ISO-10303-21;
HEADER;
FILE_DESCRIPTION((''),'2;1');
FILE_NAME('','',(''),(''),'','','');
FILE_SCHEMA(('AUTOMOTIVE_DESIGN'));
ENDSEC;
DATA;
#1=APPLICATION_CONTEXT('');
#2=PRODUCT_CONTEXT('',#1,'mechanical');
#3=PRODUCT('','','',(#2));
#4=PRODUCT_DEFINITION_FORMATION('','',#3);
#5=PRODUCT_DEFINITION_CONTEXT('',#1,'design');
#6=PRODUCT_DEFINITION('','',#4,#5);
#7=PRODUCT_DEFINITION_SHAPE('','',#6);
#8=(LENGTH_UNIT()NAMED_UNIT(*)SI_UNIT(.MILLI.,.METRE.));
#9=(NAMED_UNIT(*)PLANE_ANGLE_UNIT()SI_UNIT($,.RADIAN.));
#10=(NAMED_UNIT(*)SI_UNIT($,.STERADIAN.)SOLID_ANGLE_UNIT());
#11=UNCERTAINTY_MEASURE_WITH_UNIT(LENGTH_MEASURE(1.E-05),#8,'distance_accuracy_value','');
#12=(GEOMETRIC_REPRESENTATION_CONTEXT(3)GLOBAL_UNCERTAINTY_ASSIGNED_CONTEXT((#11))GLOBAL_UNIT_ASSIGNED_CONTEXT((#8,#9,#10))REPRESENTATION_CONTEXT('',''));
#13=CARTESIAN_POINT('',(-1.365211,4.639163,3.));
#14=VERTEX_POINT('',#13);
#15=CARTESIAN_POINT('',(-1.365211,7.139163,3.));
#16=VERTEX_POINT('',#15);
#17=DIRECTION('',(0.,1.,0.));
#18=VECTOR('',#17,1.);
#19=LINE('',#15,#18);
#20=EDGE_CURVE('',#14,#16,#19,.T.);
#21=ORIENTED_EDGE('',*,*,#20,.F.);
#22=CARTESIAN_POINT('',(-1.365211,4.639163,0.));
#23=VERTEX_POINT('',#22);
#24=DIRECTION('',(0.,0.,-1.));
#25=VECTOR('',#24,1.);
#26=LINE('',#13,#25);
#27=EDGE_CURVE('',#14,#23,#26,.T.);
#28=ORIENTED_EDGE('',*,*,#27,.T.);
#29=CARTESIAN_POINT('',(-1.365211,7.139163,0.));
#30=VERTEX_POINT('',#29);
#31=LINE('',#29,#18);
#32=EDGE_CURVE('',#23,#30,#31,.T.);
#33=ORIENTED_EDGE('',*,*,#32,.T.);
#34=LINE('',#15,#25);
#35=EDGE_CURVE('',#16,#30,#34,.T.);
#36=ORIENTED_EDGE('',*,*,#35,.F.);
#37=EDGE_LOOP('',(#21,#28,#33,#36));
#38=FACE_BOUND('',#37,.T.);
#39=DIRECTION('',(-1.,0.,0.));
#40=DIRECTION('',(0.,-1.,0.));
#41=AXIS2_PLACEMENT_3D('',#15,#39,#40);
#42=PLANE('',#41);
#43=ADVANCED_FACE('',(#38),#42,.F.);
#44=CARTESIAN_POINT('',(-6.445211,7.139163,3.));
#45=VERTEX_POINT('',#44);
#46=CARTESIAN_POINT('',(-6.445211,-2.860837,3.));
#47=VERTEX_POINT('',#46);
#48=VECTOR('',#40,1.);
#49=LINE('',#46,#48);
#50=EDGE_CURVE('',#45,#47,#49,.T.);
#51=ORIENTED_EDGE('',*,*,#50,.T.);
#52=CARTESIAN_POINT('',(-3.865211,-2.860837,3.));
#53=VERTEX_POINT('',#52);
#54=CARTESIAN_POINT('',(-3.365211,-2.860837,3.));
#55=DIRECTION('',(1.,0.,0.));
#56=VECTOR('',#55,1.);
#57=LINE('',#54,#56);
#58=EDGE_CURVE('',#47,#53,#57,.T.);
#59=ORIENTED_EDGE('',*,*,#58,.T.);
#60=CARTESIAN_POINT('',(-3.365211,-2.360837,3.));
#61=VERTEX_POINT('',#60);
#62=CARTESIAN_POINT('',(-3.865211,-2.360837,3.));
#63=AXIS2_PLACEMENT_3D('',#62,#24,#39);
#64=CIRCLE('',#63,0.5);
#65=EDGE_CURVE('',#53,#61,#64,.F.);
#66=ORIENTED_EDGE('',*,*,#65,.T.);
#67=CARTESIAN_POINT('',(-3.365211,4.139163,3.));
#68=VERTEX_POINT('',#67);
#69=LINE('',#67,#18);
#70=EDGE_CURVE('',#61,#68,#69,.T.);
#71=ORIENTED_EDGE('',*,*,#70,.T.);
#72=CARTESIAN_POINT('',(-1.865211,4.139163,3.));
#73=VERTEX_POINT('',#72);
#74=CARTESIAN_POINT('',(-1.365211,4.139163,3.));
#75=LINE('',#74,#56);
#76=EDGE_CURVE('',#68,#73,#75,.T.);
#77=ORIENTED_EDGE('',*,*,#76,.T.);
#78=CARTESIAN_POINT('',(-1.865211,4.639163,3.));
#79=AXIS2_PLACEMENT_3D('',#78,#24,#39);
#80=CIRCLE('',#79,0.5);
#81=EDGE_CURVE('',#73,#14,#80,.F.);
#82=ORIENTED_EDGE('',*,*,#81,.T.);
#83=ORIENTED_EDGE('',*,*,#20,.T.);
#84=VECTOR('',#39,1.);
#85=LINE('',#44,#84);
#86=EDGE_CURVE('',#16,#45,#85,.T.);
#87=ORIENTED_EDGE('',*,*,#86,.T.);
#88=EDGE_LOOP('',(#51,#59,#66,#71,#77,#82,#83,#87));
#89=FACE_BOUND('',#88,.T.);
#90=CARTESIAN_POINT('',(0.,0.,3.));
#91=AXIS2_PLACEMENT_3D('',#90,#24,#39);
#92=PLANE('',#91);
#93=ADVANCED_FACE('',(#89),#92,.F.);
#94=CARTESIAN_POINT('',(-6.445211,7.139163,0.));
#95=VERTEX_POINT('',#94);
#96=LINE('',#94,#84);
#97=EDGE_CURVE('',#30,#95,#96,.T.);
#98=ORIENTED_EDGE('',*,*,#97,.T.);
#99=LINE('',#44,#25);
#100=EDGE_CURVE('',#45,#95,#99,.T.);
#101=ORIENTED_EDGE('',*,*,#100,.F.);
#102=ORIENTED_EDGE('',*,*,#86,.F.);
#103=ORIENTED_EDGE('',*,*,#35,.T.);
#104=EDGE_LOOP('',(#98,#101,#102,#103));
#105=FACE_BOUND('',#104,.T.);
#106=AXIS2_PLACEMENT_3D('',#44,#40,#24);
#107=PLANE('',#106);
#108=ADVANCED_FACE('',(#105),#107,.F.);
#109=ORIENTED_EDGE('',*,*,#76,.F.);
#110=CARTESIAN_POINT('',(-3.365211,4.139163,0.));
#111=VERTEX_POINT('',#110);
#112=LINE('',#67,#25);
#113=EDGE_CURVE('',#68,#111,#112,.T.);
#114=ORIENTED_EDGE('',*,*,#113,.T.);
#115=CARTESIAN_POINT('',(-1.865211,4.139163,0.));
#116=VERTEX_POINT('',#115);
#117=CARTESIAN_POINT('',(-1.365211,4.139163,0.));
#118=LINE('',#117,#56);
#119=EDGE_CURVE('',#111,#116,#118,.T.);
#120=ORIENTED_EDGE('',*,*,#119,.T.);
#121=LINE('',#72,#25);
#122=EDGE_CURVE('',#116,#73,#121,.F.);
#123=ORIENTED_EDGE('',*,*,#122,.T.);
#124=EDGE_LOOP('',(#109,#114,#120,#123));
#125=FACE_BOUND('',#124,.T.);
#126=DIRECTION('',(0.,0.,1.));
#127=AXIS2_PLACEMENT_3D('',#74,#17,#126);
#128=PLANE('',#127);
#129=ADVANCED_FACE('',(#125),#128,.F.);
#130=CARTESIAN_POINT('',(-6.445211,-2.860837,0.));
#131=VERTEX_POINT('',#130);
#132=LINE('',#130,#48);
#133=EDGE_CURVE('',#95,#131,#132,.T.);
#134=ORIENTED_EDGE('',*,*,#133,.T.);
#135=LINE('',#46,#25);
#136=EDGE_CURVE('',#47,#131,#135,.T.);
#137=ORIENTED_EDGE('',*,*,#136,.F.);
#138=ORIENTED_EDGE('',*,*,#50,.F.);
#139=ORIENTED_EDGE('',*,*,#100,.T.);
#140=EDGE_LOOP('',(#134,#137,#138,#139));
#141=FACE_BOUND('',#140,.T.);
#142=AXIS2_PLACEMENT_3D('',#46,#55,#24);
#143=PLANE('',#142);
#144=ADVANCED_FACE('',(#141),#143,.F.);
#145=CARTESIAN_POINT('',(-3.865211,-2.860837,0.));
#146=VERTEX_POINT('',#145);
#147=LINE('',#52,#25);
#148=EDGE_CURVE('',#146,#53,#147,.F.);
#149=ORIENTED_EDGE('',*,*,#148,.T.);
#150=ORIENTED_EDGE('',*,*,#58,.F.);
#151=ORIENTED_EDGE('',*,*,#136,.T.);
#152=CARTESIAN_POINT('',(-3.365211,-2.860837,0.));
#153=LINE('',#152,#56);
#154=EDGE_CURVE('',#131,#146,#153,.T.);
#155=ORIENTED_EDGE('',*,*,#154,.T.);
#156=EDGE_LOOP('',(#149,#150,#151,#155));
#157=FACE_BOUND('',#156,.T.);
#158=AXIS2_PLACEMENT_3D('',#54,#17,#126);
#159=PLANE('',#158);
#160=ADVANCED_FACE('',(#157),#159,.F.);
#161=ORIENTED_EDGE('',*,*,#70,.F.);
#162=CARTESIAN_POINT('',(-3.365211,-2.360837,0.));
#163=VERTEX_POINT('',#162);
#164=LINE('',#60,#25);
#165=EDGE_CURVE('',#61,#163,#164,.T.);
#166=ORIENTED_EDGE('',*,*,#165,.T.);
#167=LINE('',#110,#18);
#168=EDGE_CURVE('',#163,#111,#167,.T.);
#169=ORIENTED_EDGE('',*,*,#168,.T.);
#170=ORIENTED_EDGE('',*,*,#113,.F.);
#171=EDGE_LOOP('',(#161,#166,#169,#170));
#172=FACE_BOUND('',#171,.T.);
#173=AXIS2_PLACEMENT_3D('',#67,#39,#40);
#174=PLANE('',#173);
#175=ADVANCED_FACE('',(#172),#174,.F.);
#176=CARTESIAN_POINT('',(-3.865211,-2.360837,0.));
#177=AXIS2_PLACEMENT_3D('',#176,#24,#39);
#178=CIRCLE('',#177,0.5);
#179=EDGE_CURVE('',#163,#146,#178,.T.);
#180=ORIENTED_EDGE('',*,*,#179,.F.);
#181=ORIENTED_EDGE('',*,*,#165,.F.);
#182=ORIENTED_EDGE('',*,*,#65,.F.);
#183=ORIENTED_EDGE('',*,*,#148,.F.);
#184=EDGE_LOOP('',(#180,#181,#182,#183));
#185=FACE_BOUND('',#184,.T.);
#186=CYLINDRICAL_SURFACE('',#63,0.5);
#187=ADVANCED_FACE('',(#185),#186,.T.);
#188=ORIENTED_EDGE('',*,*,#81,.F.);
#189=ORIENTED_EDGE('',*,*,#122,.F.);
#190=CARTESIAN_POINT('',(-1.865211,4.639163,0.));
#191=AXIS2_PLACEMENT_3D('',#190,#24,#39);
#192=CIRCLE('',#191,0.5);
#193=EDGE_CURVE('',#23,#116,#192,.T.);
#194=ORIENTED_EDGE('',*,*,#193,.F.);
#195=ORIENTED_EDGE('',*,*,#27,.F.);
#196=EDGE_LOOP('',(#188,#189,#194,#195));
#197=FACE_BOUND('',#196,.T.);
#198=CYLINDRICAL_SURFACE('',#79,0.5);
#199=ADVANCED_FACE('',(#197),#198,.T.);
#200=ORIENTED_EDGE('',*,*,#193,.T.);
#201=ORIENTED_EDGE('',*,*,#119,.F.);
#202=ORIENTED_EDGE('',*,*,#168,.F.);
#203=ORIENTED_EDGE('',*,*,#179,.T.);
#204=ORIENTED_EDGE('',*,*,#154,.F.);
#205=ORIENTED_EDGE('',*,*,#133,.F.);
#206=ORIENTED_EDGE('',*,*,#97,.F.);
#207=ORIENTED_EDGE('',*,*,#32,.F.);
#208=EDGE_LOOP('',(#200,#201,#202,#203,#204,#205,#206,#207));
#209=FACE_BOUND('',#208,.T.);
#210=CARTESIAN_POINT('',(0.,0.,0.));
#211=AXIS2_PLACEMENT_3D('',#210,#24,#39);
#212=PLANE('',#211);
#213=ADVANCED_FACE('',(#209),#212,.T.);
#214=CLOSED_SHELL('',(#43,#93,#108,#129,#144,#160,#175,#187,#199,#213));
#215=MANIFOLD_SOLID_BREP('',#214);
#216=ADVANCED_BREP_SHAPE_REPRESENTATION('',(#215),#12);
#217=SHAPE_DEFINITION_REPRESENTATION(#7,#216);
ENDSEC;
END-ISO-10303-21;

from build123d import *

# Parameters (mm, degrees)
BOSS_EXTRUDE1_DEPTH = 3
FILLET1_R           = 0.5
FILLET3_R           = 0.5


with BuildPart() as part:
    # Sketch1 → Boss-Extrude1 (new body)
    with BuildSketch(Plane.XY):
        Polygon((-6.445210562, 7.139162572), (-1.365210562, 7.139162572), (-1.365210562, 4.139162572), (-3.365210562, 4.139162572), (-3.365210562, -2.860837428), (-6.445210562, -2.860837428), align=None)
    extrude(amount=BOSS_EXTRUDE1_DEPTH)

    # Fillet1
    fillet1_edges = [part.edges().sort_by_distance(p)[0] for p in [
        (-3.365210562, -2.860837428, 1.5),
    ]]
    fillet(fillet1_edges, radius=FILLET1_R)

    # Fillet3
    fillet3_edges = [part.edges().sort_by_distance(p)[0] for p in [
        (-1.365210562, 4.139162572, 1.5),
    ]]
    fillet(fillet3_edges, radius=FILLET3_R)


solid = part.part
